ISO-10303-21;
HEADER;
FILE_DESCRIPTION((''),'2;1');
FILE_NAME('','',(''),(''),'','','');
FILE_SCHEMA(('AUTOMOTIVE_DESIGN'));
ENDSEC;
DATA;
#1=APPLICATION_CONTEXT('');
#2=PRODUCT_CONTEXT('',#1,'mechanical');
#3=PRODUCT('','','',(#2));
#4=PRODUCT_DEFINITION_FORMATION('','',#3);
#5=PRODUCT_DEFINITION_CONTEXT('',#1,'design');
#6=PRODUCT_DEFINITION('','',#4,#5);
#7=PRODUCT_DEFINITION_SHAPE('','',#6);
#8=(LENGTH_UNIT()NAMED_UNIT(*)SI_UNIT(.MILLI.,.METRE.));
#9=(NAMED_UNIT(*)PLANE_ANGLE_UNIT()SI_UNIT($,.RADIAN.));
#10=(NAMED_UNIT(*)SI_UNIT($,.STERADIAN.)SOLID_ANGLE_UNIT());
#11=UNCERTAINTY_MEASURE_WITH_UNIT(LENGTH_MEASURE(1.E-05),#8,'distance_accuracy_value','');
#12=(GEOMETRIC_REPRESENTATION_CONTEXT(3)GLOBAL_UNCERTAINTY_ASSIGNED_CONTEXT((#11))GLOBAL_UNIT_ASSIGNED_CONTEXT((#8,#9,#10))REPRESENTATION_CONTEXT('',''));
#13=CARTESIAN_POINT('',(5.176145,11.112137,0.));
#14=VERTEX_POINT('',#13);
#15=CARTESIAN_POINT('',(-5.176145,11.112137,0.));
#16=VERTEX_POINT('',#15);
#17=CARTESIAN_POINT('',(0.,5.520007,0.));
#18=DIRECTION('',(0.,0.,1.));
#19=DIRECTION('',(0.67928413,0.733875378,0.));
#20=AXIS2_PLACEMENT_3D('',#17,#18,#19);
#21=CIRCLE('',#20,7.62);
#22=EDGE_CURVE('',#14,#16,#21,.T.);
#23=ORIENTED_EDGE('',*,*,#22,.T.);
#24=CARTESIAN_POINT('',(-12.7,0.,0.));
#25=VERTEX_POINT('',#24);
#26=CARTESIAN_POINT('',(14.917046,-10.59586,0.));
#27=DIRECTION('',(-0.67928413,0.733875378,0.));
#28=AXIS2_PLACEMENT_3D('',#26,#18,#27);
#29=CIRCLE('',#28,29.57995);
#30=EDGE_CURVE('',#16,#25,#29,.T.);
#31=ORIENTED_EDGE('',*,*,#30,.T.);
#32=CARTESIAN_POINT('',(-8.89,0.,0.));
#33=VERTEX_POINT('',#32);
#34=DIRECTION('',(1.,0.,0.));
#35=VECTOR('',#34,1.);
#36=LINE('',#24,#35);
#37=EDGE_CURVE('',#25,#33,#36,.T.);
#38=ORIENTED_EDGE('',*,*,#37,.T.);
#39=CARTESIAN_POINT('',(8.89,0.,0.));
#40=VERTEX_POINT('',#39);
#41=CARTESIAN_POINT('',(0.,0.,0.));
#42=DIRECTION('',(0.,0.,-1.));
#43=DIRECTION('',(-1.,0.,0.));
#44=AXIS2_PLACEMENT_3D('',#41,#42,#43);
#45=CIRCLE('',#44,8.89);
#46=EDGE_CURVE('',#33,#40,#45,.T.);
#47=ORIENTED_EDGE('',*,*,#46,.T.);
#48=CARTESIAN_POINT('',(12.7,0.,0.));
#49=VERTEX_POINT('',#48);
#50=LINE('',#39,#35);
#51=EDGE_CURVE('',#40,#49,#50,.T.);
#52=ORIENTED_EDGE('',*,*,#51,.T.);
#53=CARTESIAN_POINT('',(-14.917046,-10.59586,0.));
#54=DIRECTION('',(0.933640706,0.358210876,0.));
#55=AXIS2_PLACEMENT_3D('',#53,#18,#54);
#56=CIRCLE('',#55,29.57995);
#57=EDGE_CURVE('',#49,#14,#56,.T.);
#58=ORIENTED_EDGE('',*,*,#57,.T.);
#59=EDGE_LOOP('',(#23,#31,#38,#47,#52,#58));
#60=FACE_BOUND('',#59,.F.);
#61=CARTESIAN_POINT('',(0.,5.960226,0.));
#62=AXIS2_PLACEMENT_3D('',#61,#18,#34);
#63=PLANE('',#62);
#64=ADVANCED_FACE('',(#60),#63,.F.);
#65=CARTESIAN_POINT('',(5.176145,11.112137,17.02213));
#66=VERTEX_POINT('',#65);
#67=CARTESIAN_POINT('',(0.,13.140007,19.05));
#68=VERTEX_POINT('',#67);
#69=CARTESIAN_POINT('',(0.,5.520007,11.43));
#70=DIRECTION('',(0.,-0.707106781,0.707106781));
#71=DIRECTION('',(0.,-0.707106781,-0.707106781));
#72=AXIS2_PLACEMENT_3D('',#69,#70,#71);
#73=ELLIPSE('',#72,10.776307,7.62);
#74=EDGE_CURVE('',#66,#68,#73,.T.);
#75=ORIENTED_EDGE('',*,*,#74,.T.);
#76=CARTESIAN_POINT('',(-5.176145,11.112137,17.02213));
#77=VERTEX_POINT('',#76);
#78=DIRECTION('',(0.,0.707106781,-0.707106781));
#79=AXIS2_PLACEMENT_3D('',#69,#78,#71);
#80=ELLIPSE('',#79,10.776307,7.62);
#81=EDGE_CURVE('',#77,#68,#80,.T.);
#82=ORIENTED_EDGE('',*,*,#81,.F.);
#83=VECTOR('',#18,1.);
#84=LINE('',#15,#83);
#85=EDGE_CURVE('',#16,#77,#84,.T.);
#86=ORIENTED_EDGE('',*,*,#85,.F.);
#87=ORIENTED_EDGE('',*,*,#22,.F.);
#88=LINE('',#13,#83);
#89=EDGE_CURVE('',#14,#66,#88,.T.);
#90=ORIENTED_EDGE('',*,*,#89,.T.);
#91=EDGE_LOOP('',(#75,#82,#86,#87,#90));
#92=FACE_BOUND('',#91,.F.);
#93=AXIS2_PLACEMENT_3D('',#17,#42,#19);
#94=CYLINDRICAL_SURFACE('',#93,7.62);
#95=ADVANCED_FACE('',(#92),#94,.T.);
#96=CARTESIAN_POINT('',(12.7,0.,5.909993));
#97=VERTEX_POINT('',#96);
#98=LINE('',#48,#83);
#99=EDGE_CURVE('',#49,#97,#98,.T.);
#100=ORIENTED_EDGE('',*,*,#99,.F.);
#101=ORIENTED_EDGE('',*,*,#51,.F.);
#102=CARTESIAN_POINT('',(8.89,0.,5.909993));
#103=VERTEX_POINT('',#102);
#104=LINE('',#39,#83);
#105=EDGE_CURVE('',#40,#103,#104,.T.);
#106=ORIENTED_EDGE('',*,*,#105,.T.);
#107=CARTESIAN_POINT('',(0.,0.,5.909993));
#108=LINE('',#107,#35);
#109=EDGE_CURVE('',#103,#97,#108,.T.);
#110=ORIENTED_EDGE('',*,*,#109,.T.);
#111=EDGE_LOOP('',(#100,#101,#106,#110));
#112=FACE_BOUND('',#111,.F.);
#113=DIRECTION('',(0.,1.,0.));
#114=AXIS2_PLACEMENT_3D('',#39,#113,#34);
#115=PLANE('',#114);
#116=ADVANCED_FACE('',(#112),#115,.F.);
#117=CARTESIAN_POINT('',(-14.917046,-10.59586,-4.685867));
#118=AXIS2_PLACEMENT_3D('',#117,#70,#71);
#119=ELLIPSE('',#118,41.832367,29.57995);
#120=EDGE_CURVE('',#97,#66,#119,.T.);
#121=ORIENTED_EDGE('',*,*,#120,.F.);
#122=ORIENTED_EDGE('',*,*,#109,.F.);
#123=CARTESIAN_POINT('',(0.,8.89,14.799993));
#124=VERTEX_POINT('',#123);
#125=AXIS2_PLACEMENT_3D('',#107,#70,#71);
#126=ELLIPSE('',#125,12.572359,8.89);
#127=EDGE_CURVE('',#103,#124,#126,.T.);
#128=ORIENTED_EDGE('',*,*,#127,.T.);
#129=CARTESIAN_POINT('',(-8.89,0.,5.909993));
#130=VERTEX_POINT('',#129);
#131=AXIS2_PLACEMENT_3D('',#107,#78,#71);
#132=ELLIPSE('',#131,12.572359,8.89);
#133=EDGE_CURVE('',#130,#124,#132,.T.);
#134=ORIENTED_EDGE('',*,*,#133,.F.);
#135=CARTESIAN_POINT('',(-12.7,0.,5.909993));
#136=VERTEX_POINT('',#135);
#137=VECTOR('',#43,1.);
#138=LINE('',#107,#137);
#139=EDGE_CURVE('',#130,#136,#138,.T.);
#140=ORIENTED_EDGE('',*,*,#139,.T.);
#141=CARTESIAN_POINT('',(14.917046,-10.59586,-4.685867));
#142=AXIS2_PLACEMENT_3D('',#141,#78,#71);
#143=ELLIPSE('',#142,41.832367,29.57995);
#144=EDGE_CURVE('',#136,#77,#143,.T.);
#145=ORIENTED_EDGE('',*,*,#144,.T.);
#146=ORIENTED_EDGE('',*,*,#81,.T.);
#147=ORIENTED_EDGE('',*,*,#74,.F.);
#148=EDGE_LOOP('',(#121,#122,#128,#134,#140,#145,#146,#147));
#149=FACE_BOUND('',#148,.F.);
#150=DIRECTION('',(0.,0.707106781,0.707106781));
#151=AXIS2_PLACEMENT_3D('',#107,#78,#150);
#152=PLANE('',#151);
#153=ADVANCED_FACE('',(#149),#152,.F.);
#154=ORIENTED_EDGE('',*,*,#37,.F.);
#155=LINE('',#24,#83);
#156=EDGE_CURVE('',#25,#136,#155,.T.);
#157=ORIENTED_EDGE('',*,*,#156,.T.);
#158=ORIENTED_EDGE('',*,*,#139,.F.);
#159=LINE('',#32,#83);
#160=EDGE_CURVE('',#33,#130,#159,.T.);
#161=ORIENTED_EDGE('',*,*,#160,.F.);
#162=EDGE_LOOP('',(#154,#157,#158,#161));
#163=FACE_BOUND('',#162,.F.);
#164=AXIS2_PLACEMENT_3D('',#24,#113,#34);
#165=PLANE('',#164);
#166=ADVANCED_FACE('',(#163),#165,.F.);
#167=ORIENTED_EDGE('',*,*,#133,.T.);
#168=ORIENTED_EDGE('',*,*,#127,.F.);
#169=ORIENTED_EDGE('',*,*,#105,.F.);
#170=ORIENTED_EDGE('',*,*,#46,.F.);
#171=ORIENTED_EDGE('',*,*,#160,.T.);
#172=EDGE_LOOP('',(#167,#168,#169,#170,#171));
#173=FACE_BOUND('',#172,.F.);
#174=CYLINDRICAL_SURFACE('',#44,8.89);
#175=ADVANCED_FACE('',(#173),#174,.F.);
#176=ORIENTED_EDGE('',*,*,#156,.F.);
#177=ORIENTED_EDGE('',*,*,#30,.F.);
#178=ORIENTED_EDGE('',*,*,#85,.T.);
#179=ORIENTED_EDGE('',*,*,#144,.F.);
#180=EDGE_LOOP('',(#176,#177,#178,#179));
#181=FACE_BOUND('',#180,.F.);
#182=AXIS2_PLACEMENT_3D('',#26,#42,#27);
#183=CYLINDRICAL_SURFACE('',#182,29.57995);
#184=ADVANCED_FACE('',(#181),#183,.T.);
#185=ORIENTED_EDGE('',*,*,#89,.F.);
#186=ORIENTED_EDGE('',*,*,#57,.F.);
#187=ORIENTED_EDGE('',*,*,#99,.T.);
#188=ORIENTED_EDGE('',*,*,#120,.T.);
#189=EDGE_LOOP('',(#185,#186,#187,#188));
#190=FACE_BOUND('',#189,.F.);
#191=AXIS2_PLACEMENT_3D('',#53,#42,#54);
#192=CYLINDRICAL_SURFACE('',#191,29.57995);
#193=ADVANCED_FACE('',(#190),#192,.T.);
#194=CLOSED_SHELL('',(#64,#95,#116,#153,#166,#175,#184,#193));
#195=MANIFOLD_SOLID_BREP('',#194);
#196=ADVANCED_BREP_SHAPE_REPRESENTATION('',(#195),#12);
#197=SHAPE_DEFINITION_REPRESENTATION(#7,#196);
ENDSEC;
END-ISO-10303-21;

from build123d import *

# Parameters (mm, degrees)
F1_DEPTH      = 19.05
F3_DEPTH      = 12.701
F3_DEPTH_BACK = 12.701


with BuildPart() as f1:
    # F0 (on Top) → F1 (new body)
    with BuildSketch(Plane.XY):
        with BuildLine():
            ThreePointArc((5.1761450685, 11.1121373732), (0, 13.1400069893), (-5.1761450685, 11.1121373732))
            ThreePointArc((-5.1761450685, 11.1121373732), (-9.5765568331, 5.9883764488), (-12.7, 0))
            Line((-12.7, 0), (-8.89, 0))
            ThreePointArc((-8.89, 0), (0, 8.89), (8.89, 0))
            Line((8.89, 0), (12.7, 0))
            ThreePointArc((12.7, 0), (9.5765568331, 5.9883764488), (5.1761450685, 11.1121373732))
        make_face()
    extrude(amount=F1_DEPTH)

    # F2 (on Right) → F3 (cut, two sides)
    with BuildSketch(Plane.YZ) as f3_sk:
        Polygon((-13.9715867117, 8.7681770489), (0, 5.9099930107), (13.1400069893, 19.05), (26.7022754997, 29.862336272), (-16.5677890182, 33.9729929507), align=None)
    extrude(amount=-F3_DEPTH, mode=Mode.SUBTRACT)
    extrude(f3_sk.sketch, amount=F3_DEPTH_BACK, mode=Mode.SUBTRACT)


solid = f1.part
